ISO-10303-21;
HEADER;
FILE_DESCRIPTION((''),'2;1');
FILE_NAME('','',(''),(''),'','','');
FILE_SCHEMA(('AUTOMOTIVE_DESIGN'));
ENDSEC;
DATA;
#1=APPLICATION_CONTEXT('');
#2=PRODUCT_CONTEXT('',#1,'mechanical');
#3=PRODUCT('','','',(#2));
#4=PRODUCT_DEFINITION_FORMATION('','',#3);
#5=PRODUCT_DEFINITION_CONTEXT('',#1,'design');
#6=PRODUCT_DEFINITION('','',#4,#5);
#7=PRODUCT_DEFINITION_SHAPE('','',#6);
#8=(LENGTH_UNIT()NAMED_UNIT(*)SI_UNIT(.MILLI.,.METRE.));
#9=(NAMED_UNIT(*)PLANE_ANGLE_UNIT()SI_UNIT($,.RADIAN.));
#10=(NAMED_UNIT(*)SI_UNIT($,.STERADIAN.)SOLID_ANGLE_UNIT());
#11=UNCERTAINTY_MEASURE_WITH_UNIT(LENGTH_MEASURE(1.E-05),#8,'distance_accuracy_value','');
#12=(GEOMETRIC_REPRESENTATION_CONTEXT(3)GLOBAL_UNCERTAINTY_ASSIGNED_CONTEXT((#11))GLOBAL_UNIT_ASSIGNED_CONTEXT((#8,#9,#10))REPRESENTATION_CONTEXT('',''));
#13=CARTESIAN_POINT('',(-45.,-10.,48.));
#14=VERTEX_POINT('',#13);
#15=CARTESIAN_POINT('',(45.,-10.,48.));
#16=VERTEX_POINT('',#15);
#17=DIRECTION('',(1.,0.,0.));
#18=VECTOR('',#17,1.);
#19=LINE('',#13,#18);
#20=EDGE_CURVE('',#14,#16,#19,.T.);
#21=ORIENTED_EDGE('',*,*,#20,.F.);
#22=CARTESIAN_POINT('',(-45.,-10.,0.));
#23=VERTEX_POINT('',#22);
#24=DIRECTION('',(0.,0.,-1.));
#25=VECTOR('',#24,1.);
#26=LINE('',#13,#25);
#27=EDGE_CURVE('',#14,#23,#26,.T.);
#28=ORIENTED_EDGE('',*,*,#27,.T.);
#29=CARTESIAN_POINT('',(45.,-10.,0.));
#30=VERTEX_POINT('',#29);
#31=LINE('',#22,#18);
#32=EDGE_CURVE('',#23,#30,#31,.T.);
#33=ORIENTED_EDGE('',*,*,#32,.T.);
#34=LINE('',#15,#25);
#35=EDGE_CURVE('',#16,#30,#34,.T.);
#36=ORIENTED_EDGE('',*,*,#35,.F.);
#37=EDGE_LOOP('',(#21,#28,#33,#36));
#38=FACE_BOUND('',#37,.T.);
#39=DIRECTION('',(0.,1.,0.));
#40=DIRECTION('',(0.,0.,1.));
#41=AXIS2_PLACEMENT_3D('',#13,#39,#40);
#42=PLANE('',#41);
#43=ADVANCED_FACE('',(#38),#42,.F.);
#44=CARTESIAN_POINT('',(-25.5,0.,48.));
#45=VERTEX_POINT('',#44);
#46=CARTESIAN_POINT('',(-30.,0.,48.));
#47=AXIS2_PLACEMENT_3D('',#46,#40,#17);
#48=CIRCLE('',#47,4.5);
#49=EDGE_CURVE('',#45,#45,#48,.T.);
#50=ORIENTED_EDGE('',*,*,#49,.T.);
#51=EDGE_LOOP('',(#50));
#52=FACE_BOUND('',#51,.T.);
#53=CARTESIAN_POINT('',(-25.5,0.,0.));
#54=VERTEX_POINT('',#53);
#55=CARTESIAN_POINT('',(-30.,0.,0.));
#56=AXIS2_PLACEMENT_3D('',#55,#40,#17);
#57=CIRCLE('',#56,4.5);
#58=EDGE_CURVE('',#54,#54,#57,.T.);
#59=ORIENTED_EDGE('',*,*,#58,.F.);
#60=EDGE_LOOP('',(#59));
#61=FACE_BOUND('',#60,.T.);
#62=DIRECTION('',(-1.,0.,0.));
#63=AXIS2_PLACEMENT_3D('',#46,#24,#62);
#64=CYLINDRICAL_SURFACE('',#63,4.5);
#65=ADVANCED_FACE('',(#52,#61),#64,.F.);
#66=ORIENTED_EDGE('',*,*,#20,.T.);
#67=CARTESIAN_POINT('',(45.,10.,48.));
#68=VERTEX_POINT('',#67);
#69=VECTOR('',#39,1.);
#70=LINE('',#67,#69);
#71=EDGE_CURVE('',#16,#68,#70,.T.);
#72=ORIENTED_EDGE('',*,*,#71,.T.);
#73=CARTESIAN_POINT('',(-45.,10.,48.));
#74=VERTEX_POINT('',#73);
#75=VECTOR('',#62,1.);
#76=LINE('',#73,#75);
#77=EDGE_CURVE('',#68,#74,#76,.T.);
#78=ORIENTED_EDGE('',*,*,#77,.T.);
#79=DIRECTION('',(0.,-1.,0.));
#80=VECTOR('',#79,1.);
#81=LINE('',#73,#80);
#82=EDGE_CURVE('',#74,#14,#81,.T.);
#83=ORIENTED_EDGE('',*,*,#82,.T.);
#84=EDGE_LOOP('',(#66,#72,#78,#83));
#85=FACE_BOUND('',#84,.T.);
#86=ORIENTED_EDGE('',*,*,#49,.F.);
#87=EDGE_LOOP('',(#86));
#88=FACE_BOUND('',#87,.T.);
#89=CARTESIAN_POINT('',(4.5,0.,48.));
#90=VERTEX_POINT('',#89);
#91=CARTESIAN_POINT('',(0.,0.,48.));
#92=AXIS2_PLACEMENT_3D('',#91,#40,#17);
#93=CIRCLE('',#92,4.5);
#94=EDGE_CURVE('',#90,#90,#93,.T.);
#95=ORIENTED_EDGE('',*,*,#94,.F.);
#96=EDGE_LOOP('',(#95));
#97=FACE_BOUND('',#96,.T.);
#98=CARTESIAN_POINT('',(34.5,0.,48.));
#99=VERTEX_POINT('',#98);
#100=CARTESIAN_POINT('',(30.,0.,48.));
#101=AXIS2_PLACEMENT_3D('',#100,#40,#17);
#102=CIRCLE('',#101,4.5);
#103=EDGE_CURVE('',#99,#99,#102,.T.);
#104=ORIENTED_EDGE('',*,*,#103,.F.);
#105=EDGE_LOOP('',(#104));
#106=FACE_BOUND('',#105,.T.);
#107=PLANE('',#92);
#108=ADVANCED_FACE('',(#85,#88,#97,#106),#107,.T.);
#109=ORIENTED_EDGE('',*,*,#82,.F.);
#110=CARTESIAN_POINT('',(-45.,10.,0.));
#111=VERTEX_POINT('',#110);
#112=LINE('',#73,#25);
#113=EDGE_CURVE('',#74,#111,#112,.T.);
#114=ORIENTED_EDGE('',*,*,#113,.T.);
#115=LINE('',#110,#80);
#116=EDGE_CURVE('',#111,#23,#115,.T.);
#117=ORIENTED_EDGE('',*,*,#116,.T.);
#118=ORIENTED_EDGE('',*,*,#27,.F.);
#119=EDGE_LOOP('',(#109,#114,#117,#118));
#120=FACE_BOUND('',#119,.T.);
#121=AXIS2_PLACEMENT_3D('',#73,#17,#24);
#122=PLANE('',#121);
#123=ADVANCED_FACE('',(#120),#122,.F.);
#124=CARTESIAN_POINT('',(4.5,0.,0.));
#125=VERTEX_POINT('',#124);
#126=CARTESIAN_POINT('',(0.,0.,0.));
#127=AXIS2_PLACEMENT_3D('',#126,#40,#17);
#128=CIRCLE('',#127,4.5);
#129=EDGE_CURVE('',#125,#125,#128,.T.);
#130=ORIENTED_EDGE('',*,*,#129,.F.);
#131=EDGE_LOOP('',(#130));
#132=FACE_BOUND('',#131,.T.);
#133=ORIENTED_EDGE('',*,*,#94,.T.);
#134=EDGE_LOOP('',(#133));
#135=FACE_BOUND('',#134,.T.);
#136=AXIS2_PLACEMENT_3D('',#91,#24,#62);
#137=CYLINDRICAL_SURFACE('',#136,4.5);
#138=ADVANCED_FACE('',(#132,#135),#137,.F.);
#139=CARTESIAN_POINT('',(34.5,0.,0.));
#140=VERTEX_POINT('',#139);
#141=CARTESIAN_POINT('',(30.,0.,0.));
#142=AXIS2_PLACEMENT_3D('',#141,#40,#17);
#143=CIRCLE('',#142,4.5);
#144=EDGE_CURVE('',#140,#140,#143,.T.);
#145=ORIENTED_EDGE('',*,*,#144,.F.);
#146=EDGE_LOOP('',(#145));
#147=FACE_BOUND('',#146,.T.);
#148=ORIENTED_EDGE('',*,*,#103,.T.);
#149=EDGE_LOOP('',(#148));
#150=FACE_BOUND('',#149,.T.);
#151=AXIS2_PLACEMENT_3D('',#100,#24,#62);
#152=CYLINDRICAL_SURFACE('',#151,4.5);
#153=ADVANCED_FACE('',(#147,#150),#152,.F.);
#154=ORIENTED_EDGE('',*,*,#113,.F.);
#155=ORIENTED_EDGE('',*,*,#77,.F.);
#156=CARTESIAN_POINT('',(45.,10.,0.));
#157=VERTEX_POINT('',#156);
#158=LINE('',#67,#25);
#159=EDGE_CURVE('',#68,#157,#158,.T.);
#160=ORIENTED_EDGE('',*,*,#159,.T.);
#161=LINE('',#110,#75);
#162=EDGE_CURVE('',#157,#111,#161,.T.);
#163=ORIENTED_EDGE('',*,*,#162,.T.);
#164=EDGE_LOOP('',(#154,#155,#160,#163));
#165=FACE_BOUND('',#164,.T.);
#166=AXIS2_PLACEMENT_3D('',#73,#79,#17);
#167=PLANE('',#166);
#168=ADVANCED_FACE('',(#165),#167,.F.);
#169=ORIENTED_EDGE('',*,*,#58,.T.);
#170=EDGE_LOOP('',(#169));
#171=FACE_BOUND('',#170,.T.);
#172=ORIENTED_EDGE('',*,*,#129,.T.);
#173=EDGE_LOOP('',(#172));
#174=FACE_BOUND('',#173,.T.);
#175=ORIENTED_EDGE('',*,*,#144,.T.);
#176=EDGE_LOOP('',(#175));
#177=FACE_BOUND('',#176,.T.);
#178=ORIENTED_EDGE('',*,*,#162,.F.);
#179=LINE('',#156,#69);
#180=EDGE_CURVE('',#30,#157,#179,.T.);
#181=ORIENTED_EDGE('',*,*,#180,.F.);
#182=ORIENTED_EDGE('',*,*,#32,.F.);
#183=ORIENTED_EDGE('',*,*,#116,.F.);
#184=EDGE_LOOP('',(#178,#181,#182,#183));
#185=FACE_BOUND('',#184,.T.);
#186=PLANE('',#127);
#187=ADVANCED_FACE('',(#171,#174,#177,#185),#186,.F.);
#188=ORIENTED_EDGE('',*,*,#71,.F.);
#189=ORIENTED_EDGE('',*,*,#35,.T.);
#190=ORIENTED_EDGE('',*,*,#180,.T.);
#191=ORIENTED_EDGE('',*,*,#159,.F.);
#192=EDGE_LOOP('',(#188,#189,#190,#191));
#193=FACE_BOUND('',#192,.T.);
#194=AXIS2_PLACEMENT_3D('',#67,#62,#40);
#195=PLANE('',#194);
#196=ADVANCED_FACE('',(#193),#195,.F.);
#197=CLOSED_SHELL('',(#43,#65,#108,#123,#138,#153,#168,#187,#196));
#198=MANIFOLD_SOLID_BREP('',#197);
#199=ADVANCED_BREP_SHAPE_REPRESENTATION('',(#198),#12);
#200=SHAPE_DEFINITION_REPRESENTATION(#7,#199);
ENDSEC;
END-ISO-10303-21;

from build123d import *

# Parameters (mm, degrees)
SKETCH_1_W      = 90
SKETCH_1_H      = 20
SKETCH_1_R      = 4.5
EXTRUDE_1_DEPTH = 48


with BuildPart() as part:
    # 草图1 → 凸台-拉伸1 (new body)
    with BuildSketch(Plane.XY):
        Rectangle(SKETCH_1_W, SKETCH_1_H)
        with Locations((-30, 0)):
            Circle(SKETCH_1_R, mode=Mode.SUBTRACT)
        Circle(SKETCH_1_R, mode=Mode.SUBTRACT)
        with Locations((30, 0)):
            Circle(SKETCH_1_R, mode=Mode.SUBTRACT)
    extrude(amount=EXTRUDE_1_DEPTH)


solid = part.part
